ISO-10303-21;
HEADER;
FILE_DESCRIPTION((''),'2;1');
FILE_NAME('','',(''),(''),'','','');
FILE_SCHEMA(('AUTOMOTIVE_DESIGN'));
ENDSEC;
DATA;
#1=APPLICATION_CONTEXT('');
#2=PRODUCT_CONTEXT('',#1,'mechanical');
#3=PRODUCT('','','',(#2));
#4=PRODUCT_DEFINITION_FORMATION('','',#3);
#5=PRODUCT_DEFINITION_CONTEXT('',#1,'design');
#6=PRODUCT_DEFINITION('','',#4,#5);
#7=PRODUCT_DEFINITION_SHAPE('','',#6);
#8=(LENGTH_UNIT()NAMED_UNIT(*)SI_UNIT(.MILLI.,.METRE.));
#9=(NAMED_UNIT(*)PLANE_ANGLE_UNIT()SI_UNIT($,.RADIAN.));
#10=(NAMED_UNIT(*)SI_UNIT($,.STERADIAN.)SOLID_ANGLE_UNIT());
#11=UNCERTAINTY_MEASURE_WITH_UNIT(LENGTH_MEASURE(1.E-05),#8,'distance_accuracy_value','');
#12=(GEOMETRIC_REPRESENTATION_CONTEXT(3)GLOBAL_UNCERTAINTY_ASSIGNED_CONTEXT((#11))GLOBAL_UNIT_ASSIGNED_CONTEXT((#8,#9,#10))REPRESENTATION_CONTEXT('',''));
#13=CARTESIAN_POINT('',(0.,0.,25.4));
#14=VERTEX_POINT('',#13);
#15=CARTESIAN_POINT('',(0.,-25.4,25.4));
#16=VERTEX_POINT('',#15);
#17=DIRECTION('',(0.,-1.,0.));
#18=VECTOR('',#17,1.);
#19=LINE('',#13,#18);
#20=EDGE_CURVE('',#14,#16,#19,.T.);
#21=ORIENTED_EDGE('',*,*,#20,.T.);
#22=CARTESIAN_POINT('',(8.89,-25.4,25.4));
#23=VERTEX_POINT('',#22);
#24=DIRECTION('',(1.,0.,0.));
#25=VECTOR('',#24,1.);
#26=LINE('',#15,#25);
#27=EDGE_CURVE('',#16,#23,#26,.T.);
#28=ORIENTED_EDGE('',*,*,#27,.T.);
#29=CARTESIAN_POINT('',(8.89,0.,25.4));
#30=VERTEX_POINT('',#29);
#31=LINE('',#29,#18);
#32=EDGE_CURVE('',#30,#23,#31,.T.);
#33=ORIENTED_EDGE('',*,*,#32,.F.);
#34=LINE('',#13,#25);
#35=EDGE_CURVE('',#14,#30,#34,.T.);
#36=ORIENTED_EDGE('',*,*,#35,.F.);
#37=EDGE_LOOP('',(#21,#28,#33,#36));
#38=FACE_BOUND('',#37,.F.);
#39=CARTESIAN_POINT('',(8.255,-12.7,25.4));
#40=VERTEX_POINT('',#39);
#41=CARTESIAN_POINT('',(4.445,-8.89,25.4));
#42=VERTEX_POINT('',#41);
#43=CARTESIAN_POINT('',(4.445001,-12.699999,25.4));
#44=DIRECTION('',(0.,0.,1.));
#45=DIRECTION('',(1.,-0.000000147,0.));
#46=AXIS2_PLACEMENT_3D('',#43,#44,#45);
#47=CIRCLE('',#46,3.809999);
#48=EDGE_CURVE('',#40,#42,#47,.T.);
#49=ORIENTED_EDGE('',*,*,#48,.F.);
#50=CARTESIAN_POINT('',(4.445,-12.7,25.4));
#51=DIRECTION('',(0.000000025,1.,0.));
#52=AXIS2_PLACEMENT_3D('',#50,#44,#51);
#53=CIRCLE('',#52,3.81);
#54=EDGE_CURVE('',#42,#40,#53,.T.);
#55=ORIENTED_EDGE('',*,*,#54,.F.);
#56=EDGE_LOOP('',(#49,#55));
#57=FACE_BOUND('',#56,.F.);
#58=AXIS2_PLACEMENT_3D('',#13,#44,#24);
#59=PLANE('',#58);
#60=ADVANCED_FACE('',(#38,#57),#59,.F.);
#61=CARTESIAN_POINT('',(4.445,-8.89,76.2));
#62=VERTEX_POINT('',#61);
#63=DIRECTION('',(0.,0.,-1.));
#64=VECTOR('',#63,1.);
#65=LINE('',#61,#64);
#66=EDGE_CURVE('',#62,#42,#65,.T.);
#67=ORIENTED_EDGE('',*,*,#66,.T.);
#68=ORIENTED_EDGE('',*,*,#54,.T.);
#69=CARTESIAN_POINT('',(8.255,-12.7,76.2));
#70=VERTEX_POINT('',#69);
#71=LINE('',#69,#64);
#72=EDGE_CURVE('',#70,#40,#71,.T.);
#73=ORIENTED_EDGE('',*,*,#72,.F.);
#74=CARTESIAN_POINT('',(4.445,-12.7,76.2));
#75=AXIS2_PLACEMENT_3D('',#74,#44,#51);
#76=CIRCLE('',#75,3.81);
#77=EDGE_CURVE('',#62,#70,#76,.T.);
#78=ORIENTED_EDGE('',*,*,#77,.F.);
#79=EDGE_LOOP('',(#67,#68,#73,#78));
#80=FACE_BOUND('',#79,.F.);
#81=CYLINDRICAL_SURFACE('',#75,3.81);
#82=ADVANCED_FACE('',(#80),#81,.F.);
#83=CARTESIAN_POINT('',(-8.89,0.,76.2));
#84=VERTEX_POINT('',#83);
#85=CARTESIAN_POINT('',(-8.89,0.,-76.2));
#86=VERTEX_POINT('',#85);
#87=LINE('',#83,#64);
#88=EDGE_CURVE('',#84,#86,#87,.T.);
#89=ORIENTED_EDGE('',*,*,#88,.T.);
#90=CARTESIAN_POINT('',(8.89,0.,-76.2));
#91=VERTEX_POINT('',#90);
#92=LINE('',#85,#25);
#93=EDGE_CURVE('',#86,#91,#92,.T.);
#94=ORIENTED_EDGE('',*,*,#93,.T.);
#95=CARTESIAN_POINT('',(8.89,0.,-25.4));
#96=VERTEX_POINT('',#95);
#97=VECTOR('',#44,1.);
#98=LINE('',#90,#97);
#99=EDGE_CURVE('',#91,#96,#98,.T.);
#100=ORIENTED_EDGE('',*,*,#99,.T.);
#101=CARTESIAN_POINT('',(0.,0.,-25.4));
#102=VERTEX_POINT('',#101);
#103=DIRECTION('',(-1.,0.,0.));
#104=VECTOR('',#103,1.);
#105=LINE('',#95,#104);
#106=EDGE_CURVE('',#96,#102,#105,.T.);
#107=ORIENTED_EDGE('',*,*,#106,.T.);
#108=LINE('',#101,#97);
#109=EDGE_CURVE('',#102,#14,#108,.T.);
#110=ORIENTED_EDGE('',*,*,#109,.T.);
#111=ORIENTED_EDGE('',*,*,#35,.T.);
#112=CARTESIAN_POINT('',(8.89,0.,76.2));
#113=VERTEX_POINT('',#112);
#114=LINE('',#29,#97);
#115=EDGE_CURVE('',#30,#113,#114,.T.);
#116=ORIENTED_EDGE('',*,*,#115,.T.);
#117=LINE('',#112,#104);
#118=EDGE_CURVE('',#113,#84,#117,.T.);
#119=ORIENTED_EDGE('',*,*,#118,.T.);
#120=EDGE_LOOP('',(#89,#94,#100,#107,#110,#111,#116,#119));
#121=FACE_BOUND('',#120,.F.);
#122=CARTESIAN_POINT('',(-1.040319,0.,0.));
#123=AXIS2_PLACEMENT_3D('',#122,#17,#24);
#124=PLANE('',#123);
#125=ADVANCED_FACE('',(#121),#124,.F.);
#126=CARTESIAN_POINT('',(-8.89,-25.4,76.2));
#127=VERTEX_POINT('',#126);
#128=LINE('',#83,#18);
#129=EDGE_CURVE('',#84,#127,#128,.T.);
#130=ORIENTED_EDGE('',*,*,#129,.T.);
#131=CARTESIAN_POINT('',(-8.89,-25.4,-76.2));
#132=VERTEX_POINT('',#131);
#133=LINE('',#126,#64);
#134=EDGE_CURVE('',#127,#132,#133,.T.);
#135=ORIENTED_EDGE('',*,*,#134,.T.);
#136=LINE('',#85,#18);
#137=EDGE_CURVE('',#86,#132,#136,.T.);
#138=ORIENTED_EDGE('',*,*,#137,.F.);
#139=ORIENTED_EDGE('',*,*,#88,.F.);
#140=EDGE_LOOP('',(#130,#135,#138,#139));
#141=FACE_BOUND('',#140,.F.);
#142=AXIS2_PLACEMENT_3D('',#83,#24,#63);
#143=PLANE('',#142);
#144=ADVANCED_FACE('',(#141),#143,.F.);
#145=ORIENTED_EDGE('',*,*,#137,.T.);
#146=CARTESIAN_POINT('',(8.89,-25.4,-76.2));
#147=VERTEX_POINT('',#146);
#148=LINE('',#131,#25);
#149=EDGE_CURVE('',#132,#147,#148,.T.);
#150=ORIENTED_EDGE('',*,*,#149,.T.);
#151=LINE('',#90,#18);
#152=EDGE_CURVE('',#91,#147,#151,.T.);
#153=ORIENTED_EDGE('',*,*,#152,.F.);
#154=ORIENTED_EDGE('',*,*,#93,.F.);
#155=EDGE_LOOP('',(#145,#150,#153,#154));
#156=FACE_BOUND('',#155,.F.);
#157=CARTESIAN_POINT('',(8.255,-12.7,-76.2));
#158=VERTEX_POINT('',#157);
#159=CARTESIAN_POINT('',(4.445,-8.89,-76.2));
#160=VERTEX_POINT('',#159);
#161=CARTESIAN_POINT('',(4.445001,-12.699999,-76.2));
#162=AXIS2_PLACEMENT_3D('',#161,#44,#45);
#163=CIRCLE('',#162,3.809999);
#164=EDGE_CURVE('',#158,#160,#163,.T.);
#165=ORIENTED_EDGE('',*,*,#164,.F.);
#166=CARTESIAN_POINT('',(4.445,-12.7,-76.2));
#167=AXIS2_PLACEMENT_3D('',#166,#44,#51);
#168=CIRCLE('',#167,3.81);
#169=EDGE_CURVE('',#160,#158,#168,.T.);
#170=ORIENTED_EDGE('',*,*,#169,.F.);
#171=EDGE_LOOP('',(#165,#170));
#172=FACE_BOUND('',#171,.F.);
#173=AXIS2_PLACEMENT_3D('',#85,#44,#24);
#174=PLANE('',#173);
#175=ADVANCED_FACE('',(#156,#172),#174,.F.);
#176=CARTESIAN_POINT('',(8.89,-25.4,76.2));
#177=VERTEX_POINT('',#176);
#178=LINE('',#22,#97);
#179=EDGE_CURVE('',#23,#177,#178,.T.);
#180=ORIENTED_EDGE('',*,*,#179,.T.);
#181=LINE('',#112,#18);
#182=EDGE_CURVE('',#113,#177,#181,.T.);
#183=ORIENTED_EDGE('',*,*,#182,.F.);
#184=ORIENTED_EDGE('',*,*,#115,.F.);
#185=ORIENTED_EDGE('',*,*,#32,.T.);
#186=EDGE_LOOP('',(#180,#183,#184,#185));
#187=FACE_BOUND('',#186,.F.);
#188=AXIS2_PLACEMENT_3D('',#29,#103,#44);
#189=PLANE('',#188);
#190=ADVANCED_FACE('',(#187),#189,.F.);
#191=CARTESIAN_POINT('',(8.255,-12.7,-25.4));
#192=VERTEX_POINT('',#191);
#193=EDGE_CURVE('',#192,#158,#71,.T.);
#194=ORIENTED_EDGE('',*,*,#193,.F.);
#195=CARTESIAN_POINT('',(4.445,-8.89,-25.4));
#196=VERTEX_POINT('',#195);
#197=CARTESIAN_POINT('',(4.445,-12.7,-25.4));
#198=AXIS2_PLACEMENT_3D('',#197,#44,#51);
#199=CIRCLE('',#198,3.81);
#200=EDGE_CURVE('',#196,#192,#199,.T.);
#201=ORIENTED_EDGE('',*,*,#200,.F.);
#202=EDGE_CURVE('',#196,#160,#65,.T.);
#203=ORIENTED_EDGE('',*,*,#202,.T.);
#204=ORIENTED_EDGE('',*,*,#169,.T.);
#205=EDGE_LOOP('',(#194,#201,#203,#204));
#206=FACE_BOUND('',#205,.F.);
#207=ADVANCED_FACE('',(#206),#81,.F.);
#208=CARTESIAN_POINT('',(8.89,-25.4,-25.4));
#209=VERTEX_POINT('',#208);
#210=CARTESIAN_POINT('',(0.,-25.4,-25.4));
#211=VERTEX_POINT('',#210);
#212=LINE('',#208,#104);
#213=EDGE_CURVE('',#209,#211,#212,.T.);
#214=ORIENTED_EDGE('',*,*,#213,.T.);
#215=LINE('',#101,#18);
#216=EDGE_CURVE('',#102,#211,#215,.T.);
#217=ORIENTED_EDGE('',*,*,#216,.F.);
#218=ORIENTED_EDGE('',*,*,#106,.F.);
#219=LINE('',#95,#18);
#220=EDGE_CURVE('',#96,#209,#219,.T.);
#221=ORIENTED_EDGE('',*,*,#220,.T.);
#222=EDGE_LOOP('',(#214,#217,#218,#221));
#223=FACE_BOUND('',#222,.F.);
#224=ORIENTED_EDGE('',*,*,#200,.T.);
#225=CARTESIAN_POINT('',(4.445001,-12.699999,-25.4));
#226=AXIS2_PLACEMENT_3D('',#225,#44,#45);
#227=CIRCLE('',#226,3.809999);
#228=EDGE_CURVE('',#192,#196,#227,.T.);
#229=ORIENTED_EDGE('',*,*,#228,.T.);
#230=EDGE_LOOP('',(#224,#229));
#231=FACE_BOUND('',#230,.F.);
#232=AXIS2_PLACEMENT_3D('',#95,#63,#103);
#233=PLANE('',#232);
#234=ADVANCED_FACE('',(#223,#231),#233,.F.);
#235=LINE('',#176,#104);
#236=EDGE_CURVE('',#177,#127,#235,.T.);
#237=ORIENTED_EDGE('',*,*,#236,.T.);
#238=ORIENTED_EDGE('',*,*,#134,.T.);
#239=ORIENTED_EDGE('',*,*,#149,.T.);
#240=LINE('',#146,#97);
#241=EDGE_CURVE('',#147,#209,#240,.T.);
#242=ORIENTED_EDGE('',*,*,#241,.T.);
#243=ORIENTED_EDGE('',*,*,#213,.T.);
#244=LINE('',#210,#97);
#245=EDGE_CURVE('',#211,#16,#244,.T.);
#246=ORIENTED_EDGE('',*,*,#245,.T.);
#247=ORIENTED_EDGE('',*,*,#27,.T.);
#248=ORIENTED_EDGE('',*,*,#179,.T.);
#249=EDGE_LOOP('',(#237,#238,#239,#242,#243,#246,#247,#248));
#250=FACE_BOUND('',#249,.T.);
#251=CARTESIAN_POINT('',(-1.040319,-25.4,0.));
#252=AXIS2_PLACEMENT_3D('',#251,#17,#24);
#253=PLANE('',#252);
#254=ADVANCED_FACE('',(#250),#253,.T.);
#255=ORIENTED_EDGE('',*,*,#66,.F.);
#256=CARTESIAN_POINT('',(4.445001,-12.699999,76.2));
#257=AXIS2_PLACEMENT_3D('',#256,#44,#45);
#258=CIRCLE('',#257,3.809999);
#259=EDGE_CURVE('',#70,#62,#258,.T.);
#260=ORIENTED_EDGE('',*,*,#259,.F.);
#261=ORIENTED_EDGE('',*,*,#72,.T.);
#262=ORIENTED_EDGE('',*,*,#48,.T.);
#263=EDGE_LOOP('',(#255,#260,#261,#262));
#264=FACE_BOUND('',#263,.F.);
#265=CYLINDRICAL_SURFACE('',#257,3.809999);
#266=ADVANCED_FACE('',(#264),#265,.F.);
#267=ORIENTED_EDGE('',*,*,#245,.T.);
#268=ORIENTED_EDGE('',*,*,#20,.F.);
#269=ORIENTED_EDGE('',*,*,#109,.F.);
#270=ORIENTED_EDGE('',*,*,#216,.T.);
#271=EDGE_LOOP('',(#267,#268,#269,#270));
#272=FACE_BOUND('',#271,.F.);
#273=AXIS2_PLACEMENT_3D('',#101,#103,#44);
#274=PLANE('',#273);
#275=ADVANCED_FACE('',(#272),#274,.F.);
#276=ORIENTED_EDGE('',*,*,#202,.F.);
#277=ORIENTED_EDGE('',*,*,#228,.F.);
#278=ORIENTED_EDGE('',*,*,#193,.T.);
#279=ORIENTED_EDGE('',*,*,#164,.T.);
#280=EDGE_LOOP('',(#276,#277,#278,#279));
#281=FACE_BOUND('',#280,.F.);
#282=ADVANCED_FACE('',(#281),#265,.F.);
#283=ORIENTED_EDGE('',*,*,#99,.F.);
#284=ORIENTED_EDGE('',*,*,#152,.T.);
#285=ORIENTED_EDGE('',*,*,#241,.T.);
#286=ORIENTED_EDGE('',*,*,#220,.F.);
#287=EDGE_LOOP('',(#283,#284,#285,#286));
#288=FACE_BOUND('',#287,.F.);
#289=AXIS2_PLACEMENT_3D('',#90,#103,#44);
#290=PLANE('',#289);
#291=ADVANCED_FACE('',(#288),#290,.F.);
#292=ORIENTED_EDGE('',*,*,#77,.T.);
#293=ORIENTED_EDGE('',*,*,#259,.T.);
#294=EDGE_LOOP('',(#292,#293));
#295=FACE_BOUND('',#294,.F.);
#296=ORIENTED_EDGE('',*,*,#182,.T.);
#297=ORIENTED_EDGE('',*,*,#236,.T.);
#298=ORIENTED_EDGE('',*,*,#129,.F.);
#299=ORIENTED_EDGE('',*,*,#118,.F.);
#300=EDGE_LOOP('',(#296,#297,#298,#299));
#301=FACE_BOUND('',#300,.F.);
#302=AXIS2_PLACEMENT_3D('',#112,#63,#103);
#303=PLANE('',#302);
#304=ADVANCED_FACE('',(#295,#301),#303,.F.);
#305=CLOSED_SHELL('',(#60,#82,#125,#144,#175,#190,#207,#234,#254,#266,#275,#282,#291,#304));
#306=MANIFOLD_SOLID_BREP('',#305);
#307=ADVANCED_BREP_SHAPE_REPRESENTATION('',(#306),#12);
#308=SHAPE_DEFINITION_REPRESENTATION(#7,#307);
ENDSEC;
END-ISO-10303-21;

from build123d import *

# Parameters (mm, degrees)
F1_DEPTH = 25.4
F3_DEPTH = 152.401


with BuildPart() as f1:
    # F0 (on Front) → F1 (new body)
    with BuildSketch(Plane.XZ):
        Polygon((-8.89, -76.2), (8.89, -76.2), (8.89, -25.4), (0, -25.4), (0, 25.4), (8.89, 25.4), (8.89, 76.2), (-8.89, 76.2), align=None)
    extrude(amount=F1_DEPTH)

    # F2 (on face) → F3 (cut, through all)
    with BuildSketch(Plane.XY.offset(76.2)):
        with BuildLine():
            ThreePointArc((4.445, -8.89), (1.750923, -15.394077), (8.255, -12.7))
            ThreePointArc((8.255, -12.7), (7.139077, -10.005923), (4.445, -8.89))
        make_face()
    extrude(amount=-F3_DEPTH, mode=Mode.SUBTRACT)


solid = f1.part
